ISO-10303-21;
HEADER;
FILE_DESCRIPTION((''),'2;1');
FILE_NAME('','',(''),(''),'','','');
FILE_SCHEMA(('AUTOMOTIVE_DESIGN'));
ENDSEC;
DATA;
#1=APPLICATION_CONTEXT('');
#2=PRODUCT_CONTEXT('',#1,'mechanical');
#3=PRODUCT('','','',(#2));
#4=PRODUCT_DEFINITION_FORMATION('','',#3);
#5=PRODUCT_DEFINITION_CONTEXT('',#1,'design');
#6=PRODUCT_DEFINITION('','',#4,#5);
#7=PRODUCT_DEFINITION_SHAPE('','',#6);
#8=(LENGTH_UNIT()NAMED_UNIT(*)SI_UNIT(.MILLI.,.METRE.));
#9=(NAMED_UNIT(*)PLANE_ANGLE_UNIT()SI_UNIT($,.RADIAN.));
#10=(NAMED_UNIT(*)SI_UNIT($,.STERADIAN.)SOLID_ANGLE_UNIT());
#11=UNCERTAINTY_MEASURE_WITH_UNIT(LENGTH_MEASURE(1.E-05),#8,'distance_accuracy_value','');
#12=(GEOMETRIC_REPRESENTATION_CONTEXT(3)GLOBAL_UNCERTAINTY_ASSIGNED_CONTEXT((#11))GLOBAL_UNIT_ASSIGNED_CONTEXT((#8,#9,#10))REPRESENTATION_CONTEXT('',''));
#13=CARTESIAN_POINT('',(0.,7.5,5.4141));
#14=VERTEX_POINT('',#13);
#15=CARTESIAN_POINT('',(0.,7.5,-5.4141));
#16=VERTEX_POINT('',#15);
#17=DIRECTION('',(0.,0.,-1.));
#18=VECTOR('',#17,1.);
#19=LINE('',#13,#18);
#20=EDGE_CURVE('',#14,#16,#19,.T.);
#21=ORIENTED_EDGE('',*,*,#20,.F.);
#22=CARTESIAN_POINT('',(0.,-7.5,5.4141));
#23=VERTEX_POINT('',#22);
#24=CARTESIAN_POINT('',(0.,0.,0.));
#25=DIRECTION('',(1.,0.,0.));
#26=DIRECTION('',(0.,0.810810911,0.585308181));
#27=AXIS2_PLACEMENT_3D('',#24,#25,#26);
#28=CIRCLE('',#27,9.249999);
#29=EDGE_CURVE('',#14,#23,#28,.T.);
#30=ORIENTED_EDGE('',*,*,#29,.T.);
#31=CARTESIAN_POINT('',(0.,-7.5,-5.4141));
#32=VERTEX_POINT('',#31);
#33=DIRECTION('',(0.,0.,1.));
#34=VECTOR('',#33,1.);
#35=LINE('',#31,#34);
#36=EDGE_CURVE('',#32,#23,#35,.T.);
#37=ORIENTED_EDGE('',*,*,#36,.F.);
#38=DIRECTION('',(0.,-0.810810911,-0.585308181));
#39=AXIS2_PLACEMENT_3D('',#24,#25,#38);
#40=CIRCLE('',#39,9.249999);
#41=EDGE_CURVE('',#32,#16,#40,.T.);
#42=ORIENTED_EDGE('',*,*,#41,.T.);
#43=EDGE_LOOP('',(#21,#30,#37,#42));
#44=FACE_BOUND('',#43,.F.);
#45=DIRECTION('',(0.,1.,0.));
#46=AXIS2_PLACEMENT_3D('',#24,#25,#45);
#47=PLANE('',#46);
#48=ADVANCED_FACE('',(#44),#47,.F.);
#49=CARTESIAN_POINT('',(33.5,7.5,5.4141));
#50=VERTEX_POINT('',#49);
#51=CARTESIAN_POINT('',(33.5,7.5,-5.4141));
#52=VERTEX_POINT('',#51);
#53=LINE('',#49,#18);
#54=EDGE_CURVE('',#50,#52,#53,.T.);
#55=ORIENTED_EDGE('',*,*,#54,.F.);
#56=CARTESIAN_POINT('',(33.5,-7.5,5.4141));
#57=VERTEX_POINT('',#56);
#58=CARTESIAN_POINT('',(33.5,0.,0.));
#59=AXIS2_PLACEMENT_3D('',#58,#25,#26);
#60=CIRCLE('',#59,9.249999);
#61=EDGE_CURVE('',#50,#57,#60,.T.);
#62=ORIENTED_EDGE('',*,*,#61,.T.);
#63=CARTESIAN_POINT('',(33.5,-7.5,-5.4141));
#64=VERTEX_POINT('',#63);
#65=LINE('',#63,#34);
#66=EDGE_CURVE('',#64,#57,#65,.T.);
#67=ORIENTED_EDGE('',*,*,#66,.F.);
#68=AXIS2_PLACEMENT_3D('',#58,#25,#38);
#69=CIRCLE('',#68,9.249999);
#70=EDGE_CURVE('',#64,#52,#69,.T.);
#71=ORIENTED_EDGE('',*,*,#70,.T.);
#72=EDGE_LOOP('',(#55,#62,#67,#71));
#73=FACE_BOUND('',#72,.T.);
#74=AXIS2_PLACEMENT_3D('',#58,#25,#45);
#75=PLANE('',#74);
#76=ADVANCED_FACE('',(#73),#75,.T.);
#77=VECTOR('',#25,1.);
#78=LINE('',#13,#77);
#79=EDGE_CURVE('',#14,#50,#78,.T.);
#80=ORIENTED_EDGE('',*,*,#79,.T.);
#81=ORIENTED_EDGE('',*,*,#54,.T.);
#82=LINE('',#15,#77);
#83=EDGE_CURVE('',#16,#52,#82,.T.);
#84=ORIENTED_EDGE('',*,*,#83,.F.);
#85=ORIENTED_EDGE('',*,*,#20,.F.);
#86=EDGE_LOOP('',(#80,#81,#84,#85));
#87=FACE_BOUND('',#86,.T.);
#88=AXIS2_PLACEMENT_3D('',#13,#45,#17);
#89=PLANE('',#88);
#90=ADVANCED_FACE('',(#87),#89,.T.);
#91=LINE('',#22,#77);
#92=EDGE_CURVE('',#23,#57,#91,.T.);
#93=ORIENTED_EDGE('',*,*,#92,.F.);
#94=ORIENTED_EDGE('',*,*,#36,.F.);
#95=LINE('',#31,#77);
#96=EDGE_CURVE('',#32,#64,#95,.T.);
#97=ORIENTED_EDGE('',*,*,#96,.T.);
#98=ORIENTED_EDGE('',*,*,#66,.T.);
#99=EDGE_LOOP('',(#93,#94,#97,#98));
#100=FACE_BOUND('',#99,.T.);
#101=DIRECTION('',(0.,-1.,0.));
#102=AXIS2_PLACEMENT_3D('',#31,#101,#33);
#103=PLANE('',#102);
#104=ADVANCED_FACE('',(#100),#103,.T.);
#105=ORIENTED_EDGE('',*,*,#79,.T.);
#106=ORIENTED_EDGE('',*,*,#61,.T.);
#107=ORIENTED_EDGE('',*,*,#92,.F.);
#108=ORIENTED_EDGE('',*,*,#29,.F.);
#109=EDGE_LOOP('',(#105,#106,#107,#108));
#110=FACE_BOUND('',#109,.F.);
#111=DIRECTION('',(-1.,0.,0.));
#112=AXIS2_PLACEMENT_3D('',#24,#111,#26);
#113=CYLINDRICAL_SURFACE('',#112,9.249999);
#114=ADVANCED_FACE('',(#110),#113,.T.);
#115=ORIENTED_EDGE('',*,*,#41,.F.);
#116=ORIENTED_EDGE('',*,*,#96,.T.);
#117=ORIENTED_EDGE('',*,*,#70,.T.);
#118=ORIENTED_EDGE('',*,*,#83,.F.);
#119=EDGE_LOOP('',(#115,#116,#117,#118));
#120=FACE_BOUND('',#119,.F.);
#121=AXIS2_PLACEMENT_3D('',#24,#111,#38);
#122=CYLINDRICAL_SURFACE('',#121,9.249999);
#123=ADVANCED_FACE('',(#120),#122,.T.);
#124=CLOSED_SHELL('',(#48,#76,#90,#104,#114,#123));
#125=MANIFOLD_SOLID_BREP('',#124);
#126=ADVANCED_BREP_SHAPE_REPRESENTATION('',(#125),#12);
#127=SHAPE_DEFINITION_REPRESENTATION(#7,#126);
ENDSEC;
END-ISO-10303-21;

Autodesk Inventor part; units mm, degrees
ref_plane "YZ Plane" through (0, 0, 0) normal (1, 0, 0) x (0, 1, 0)
ref_plane "XZ Plane" through (0, 0, 0) normal (0, 1, 0) x (-1, 0, 0)
ref_plane "XY Plane" through (0, 0, 0) normal (0, 0, 1) x (1, 0, 0)
sketch "Sketch1" plane through (0, 0, 0) normal (1, 0, 0) x (0, 1, 0)
  arc A0 (7.5, 5.4141) -> (-7.5, 5.4141) centre (0, 0) ccw
  line L0 (7.5, 5.4141) -> (7.5, -5.4141)
  line L1 (-7.5, -5.4141) -> (-7.5, 5.4141)
  arc A1 (7.5, -5.4141) -> (7.5, 5.4141) centre (0, 0) ccw construction
  arc A2 (-7.5, -5.4141) -> (7.5, -5.4141) centre (0, 0) ccw
  arc A3 (-7.5, 5.4141) -> (-7.5, -5.4141) centre (0, 0) ccw construction
  line L2 (11.125, 9.25) -> (11.125, -9.25) projected
  dimension "d2" = 18.5
  dimension "d3" = 15
extrude "Extrusion2" add sketch "Sketch1" along normal blind 33.5
properties part number "TTmotor"
